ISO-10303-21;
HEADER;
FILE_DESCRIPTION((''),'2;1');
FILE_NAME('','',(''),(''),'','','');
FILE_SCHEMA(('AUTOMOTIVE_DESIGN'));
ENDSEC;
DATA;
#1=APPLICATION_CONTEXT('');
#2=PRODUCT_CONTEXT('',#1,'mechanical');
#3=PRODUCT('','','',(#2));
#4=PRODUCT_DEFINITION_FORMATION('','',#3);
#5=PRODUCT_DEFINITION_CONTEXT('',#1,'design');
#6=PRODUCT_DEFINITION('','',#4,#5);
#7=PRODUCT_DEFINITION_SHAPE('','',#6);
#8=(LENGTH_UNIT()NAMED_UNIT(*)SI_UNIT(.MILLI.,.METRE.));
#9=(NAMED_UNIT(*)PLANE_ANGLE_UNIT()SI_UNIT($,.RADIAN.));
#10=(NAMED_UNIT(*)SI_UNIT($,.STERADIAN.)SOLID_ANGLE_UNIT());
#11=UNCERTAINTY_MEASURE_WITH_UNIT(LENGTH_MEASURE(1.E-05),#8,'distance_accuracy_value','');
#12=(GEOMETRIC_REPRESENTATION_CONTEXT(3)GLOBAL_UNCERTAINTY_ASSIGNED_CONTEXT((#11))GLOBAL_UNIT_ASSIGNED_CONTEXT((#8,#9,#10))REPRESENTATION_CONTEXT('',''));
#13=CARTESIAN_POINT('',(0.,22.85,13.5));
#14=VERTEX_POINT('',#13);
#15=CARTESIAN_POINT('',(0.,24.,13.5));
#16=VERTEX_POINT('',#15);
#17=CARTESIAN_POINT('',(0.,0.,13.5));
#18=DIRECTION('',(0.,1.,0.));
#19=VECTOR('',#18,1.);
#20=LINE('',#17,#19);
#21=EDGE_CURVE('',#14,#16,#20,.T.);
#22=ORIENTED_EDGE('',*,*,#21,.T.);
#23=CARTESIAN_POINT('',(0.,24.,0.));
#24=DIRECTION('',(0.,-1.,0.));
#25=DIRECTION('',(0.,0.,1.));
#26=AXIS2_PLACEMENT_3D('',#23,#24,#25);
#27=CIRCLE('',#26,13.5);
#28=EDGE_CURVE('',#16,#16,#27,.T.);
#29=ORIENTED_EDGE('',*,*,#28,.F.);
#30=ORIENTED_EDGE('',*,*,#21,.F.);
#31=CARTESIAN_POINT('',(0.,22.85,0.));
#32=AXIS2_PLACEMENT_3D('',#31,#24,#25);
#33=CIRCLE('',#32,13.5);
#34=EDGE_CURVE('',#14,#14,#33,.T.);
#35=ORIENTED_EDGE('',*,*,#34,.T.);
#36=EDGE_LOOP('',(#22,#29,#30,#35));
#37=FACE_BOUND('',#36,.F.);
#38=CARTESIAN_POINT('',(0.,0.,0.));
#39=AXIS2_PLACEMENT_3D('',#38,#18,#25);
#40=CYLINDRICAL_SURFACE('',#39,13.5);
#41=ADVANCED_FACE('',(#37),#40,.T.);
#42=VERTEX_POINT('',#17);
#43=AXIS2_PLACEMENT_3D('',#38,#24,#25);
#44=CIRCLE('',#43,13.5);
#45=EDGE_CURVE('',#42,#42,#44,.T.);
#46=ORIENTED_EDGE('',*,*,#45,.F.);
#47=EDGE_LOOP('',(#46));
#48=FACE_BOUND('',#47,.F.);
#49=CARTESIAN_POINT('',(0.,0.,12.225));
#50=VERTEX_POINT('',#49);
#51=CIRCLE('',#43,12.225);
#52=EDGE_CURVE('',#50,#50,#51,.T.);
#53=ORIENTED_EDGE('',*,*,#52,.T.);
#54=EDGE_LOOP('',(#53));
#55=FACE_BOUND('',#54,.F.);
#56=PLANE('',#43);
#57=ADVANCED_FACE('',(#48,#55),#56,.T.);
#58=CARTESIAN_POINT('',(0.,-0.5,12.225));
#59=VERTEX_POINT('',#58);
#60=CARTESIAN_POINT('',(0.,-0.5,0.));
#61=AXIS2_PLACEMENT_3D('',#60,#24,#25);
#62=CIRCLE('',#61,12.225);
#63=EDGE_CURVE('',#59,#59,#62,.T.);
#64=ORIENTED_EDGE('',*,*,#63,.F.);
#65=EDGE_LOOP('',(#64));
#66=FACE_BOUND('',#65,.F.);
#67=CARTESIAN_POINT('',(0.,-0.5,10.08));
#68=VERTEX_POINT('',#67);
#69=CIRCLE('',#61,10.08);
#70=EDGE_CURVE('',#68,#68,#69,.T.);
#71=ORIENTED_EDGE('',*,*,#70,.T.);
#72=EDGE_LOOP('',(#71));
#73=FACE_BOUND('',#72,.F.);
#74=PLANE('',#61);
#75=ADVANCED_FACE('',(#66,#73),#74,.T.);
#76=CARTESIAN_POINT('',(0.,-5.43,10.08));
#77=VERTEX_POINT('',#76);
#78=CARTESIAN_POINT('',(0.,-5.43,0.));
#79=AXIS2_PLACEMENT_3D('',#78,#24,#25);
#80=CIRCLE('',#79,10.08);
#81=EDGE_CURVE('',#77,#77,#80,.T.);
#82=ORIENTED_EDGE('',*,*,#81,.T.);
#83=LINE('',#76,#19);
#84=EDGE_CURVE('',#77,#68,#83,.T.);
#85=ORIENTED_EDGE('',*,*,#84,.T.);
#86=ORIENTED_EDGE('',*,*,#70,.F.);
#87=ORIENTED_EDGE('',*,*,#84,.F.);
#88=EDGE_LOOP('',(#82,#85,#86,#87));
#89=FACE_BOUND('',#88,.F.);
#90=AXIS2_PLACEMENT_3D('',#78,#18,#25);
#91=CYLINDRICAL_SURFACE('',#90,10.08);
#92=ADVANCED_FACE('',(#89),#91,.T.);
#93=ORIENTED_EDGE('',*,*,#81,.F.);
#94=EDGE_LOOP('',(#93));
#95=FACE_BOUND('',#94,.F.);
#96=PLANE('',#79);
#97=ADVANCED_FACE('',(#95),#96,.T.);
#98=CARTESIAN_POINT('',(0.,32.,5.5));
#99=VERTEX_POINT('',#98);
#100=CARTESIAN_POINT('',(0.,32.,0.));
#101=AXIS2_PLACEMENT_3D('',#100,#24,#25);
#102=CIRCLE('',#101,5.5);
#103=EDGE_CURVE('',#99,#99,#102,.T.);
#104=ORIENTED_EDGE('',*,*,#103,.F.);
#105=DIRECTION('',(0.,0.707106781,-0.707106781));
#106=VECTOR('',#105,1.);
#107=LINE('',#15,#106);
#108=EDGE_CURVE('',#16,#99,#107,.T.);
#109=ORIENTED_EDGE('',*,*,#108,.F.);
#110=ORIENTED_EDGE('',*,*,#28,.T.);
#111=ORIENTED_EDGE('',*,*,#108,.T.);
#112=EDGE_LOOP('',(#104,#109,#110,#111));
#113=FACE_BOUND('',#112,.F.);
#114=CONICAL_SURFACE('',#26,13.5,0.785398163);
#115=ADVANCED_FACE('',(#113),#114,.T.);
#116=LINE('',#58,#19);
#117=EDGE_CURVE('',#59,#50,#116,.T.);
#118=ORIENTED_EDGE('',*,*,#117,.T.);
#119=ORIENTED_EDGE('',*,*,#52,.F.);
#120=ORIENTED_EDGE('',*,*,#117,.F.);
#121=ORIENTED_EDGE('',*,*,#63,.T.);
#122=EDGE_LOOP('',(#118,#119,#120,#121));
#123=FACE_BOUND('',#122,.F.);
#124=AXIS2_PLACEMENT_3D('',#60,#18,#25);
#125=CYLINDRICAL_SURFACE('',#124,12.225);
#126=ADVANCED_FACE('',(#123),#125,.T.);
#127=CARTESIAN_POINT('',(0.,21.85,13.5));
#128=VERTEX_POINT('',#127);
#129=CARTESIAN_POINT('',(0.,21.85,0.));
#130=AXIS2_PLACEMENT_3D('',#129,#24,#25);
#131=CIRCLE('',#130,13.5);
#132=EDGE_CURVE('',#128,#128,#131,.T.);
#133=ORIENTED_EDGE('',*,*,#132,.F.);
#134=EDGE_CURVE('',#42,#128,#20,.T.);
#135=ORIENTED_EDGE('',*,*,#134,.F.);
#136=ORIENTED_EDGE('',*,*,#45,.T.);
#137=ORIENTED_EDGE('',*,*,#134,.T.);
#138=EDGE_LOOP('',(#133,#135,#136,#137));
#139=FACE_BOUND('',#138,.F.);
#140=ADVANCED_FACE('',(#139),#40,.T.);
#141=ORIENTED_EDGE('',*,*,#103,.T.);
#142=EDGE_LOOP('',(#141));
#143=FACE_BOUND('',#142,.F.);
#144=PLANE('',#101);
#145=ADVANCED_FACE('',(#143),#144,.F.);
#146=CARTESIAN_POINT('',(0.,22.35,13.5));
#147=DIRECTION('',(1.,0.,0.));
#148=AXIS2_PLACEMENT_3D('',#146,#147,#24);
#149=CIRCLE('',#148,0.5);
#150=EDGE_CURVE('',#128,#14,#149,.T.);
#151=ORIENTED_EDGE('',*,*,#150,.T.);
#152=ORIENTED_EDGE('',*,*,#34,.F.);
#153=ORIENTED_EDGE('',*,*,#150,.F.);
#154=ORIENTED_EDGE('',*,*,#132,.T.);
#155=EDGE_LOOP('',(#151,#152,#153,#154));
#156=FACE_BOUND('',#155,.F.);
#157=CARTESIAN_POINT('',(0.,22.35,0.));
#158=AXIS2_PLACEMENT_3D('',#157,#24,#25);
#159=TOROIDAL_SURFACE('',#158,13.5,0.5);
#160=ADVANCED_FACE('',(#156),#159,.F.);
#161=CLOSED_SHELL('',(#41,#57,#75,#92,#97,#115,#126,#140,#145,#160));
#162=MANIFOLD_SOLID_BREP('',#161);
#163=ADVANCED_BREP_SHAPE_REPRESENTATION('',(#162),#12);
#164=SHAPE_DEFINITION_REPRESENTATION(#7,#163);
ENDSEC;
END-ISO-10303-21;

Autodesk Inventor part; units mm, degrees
ref_plane "YZ Plane" through (0, 0, 0) normal (1, 0, 0) x (0, 1, 0)
ref_plane "XZ Plane" through (0, 0, 0) normal (0, 1, 0) x (-1, 0, 0)
ref_plane "XY Plane" through (0, 0, 0) normal (0, 0, 1) x (1, 0, 0)
sketch "Skizze1" plane through (0, 0, 0) normal (1, 0, 0) x (0, 1, 0)
  line L0 (0, 13.5) -> (24, 13.5)
  line L1 (24, 13.5) -> (32, 5.5)
  line L2 (32, 5.5) -> (32, 0)
  line L3 (32, 0) -> (0, 0)
  line L4 (0, 0) -> (0, 13.5)
  arc A0 (21.85, 13.5) -> (22.85, 13.5) centre (22.35, 13.5) ccw
  line L5 (0, 0) -> (-0.5, 0)
  line L6 (-0.5, 0) -> (-0.5, 12.225)
  line L7 (-0.5, 12.225) -> (0, 12.225)
  line L8 (0, 12.225) -> (0, 0)
  line L9 (-0.5, 0) -> (-5.43, 0)
  line L10 (-5.43, 0) -> (-5.43, 10.08)
  line L11 (-5.43, 10.08) -> (-0.5, 10.08)
  line L12 (-0.5, 10.08) -> (-0.5, 0)
  point P0 (-0.5, 10.08)
  dimension "d0" = 24
  dimension "d1" = 135
  dimension "d2" = 5.5
  dimension "d3" = 1
  dimension "d4" = 0.5
  dimension "d5" = 1.15
  dimension "d6" = 0.5
  dimension "d7" = 12.225
  dimension "d8" = 4.93
  dimension "d9" = 10.08
revolve "Umdrehung1" add sketch "Skizze1" angle 360 about axis through (0, 32, 0) along (0, -1, 0) contours L0 A0 L1 L2 L3 L4 | L4 L5 L6 L7 | L9 L10 L11 L6
properties part number "00_10x_Objective_ViewSolutions_bm05073332"
